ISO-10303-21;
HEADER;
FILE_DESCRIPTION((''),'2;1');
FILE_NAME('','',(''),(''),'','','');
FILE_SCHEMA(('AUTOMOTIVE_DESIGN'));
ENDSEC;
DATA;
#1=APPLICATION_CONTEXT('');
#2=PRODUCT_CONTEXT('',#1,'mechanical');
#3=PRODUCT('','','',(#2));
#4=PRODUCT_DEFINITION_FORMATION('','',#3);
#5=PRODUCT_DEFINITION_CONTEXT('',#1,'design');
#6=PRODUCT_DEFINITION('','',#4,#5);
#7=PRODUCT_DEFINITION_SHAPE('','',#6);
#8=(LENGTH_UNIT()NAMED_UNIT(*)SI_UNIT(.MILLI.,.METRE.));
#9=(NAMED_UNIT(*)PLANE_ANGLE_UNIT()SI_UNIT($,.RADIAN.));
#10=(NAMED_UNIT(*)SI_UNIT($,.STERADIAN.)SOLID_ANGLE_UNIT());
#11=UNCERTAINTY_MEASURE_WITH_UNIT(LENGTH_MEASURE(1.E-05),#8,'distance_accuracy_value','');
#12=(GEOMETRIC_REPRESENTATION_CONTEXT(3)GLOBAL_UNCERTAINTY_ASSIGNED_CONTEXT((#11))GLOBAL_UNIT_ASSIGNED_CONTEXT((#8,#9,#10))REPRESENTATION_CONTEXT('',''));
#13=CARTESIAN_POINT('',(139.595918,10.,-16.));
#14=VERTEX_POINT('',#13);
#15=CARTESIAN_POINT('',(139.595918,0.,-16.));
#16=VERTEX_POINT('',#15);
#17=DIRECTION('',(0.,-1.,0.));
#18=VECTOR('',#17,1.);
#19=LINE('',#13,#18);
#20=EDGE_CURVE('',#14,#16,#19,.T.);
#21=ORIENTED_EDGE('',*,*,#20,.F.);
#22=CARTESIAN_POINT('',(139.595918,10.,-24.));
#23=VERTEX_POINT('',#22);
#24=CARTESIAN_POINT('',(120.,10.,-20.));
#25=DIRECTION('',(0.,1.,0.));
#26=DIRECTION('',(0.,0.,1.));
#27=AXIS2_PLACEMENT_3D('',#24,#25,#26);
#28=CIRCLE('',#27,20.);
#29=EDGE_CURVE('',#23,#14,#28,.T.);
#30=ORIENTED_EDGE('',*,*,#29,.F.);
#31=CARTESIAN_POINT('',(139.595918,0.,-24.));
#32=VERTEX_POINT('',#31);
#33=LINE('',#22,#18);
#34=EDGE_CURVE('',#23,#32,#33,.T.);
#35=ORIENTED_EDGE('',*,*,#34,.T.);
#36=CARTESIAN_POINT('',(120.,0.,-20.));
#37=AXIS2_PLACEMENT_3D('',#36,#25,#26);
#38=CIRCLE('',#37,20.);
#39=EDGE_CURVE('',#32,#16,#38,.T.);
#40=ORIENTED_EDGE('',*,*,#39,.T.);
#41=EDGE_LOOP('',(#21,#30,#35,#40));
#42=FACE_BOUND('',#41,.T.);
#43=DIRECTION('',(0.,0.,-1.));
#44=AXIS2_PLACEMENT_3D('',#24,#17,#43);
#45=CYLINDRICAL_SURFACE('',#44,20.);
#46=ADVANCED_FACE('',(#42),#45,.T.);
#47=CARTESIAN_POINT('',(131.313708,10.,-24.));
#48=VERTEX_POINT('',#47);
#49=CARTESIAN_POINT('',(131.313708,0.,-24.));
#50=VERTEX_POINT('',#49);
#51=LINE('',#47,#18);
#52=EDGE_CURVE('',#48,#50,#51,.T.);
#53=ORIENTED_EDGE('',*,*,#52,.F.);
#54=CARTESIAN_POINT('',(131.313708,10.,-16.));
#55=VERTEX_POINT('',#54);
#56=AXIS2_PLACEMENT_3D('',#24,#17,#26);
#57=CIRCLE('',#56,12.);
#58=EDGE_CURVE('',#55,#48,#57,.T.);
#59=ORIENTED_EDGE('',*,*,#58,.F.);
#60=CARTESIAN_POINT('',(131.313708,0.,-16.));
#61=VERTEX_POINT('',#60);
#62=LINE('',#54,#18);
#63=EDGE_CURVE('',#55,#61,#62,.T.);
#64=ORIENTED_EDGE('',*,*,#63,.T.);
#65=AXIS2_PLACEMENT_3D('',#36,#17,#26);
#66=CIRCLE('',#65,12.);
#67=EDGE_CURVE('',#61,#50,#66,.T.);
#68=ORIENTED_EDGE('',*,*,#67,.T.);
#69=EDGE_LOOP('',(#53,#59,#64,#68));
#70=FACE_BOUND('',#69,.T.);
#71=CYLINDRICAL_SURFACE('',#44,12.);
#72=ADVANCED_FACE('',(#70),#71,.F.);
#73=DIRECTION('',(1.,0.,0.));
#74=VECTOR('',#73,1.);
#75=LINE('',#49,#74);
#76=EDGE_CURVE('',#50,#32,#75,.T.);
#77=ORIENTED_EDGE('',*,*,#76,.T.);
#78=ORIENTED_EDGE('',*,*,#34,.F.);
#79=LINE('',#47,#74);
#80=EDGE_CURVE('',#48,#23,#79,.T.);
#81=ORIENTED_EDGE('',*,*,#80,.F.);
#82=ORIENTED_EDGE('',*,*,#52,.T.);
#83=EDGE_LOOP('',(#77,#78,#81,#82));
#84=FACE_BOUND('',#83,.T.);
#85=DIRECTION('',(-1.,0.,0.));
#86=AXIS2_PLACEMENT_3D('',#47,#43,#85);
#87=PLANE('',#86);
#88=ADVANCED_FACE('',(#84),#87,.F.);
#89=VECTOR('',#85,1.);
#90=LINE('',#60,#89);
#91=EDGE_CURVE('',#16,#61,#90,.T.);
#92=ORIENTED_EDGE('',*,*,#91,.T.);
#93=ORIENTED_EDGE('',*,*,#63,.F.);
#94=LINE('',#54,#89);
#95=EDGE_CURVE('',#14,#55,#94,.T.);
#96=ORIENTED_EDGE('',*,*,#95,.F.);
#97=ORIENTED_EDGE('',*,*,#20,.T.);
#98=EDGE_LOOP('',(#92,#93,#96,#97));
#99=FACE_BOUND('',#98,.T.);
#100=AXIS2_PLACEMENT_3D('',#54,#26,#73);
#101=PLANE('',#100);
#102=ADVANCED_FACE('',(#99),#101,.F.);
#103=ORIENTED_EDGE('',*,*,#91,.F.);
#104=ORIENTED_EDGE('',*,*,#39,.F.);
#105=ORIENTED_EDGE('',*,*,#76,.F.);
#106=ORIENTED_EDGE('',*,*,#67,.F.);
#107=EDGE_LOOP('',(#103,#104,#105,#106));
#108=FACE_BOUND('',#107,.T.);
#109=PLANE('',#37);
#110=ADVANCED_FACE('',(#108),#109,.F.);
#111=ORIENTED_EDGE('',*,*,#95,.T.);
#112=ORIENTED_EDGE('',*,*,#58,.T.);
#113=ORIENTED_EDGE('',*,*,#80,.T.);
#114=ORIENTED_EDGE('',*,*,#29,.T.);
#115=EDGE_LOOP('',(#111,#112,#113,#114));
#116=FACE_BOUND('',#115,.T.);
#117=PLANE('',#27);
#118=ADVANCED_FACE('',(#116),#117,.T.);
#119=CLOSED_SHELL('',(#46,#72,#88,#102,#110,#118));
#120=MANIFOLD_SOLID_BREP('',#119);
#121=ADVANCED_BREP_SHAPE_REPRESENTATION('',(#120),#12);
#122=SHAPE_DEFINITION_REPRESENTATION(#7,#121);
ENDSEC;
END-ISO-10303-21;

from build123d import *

# Parameters (mm, degrees)
BOSS_EXTRUDE1_DEPTH = 10


with BuildPart() as part:
    # Sketch1 → Boss-Extrude1 (new body)
    with BuildSketch(Plane(origin=(0, 0, 0), x_dir=(1, 0, 0), z_dir=(0, 1, 0))):
        with BuildLine():
            Line((131.313708499, 24), (139.595917942, 24))
            ThreePointArc((139.595917942, 24), (100, 20), (139.595917942, 16))
            Line((139.595917942, 16), (131.313708499, 16))
            ThreePointArc((131.313708499, 16), (108, 20), (131.313708499, 24))
        make_face()
    extrude(amount=BOSS_EXTRUDE1_DEPTH)


solid = part.part
